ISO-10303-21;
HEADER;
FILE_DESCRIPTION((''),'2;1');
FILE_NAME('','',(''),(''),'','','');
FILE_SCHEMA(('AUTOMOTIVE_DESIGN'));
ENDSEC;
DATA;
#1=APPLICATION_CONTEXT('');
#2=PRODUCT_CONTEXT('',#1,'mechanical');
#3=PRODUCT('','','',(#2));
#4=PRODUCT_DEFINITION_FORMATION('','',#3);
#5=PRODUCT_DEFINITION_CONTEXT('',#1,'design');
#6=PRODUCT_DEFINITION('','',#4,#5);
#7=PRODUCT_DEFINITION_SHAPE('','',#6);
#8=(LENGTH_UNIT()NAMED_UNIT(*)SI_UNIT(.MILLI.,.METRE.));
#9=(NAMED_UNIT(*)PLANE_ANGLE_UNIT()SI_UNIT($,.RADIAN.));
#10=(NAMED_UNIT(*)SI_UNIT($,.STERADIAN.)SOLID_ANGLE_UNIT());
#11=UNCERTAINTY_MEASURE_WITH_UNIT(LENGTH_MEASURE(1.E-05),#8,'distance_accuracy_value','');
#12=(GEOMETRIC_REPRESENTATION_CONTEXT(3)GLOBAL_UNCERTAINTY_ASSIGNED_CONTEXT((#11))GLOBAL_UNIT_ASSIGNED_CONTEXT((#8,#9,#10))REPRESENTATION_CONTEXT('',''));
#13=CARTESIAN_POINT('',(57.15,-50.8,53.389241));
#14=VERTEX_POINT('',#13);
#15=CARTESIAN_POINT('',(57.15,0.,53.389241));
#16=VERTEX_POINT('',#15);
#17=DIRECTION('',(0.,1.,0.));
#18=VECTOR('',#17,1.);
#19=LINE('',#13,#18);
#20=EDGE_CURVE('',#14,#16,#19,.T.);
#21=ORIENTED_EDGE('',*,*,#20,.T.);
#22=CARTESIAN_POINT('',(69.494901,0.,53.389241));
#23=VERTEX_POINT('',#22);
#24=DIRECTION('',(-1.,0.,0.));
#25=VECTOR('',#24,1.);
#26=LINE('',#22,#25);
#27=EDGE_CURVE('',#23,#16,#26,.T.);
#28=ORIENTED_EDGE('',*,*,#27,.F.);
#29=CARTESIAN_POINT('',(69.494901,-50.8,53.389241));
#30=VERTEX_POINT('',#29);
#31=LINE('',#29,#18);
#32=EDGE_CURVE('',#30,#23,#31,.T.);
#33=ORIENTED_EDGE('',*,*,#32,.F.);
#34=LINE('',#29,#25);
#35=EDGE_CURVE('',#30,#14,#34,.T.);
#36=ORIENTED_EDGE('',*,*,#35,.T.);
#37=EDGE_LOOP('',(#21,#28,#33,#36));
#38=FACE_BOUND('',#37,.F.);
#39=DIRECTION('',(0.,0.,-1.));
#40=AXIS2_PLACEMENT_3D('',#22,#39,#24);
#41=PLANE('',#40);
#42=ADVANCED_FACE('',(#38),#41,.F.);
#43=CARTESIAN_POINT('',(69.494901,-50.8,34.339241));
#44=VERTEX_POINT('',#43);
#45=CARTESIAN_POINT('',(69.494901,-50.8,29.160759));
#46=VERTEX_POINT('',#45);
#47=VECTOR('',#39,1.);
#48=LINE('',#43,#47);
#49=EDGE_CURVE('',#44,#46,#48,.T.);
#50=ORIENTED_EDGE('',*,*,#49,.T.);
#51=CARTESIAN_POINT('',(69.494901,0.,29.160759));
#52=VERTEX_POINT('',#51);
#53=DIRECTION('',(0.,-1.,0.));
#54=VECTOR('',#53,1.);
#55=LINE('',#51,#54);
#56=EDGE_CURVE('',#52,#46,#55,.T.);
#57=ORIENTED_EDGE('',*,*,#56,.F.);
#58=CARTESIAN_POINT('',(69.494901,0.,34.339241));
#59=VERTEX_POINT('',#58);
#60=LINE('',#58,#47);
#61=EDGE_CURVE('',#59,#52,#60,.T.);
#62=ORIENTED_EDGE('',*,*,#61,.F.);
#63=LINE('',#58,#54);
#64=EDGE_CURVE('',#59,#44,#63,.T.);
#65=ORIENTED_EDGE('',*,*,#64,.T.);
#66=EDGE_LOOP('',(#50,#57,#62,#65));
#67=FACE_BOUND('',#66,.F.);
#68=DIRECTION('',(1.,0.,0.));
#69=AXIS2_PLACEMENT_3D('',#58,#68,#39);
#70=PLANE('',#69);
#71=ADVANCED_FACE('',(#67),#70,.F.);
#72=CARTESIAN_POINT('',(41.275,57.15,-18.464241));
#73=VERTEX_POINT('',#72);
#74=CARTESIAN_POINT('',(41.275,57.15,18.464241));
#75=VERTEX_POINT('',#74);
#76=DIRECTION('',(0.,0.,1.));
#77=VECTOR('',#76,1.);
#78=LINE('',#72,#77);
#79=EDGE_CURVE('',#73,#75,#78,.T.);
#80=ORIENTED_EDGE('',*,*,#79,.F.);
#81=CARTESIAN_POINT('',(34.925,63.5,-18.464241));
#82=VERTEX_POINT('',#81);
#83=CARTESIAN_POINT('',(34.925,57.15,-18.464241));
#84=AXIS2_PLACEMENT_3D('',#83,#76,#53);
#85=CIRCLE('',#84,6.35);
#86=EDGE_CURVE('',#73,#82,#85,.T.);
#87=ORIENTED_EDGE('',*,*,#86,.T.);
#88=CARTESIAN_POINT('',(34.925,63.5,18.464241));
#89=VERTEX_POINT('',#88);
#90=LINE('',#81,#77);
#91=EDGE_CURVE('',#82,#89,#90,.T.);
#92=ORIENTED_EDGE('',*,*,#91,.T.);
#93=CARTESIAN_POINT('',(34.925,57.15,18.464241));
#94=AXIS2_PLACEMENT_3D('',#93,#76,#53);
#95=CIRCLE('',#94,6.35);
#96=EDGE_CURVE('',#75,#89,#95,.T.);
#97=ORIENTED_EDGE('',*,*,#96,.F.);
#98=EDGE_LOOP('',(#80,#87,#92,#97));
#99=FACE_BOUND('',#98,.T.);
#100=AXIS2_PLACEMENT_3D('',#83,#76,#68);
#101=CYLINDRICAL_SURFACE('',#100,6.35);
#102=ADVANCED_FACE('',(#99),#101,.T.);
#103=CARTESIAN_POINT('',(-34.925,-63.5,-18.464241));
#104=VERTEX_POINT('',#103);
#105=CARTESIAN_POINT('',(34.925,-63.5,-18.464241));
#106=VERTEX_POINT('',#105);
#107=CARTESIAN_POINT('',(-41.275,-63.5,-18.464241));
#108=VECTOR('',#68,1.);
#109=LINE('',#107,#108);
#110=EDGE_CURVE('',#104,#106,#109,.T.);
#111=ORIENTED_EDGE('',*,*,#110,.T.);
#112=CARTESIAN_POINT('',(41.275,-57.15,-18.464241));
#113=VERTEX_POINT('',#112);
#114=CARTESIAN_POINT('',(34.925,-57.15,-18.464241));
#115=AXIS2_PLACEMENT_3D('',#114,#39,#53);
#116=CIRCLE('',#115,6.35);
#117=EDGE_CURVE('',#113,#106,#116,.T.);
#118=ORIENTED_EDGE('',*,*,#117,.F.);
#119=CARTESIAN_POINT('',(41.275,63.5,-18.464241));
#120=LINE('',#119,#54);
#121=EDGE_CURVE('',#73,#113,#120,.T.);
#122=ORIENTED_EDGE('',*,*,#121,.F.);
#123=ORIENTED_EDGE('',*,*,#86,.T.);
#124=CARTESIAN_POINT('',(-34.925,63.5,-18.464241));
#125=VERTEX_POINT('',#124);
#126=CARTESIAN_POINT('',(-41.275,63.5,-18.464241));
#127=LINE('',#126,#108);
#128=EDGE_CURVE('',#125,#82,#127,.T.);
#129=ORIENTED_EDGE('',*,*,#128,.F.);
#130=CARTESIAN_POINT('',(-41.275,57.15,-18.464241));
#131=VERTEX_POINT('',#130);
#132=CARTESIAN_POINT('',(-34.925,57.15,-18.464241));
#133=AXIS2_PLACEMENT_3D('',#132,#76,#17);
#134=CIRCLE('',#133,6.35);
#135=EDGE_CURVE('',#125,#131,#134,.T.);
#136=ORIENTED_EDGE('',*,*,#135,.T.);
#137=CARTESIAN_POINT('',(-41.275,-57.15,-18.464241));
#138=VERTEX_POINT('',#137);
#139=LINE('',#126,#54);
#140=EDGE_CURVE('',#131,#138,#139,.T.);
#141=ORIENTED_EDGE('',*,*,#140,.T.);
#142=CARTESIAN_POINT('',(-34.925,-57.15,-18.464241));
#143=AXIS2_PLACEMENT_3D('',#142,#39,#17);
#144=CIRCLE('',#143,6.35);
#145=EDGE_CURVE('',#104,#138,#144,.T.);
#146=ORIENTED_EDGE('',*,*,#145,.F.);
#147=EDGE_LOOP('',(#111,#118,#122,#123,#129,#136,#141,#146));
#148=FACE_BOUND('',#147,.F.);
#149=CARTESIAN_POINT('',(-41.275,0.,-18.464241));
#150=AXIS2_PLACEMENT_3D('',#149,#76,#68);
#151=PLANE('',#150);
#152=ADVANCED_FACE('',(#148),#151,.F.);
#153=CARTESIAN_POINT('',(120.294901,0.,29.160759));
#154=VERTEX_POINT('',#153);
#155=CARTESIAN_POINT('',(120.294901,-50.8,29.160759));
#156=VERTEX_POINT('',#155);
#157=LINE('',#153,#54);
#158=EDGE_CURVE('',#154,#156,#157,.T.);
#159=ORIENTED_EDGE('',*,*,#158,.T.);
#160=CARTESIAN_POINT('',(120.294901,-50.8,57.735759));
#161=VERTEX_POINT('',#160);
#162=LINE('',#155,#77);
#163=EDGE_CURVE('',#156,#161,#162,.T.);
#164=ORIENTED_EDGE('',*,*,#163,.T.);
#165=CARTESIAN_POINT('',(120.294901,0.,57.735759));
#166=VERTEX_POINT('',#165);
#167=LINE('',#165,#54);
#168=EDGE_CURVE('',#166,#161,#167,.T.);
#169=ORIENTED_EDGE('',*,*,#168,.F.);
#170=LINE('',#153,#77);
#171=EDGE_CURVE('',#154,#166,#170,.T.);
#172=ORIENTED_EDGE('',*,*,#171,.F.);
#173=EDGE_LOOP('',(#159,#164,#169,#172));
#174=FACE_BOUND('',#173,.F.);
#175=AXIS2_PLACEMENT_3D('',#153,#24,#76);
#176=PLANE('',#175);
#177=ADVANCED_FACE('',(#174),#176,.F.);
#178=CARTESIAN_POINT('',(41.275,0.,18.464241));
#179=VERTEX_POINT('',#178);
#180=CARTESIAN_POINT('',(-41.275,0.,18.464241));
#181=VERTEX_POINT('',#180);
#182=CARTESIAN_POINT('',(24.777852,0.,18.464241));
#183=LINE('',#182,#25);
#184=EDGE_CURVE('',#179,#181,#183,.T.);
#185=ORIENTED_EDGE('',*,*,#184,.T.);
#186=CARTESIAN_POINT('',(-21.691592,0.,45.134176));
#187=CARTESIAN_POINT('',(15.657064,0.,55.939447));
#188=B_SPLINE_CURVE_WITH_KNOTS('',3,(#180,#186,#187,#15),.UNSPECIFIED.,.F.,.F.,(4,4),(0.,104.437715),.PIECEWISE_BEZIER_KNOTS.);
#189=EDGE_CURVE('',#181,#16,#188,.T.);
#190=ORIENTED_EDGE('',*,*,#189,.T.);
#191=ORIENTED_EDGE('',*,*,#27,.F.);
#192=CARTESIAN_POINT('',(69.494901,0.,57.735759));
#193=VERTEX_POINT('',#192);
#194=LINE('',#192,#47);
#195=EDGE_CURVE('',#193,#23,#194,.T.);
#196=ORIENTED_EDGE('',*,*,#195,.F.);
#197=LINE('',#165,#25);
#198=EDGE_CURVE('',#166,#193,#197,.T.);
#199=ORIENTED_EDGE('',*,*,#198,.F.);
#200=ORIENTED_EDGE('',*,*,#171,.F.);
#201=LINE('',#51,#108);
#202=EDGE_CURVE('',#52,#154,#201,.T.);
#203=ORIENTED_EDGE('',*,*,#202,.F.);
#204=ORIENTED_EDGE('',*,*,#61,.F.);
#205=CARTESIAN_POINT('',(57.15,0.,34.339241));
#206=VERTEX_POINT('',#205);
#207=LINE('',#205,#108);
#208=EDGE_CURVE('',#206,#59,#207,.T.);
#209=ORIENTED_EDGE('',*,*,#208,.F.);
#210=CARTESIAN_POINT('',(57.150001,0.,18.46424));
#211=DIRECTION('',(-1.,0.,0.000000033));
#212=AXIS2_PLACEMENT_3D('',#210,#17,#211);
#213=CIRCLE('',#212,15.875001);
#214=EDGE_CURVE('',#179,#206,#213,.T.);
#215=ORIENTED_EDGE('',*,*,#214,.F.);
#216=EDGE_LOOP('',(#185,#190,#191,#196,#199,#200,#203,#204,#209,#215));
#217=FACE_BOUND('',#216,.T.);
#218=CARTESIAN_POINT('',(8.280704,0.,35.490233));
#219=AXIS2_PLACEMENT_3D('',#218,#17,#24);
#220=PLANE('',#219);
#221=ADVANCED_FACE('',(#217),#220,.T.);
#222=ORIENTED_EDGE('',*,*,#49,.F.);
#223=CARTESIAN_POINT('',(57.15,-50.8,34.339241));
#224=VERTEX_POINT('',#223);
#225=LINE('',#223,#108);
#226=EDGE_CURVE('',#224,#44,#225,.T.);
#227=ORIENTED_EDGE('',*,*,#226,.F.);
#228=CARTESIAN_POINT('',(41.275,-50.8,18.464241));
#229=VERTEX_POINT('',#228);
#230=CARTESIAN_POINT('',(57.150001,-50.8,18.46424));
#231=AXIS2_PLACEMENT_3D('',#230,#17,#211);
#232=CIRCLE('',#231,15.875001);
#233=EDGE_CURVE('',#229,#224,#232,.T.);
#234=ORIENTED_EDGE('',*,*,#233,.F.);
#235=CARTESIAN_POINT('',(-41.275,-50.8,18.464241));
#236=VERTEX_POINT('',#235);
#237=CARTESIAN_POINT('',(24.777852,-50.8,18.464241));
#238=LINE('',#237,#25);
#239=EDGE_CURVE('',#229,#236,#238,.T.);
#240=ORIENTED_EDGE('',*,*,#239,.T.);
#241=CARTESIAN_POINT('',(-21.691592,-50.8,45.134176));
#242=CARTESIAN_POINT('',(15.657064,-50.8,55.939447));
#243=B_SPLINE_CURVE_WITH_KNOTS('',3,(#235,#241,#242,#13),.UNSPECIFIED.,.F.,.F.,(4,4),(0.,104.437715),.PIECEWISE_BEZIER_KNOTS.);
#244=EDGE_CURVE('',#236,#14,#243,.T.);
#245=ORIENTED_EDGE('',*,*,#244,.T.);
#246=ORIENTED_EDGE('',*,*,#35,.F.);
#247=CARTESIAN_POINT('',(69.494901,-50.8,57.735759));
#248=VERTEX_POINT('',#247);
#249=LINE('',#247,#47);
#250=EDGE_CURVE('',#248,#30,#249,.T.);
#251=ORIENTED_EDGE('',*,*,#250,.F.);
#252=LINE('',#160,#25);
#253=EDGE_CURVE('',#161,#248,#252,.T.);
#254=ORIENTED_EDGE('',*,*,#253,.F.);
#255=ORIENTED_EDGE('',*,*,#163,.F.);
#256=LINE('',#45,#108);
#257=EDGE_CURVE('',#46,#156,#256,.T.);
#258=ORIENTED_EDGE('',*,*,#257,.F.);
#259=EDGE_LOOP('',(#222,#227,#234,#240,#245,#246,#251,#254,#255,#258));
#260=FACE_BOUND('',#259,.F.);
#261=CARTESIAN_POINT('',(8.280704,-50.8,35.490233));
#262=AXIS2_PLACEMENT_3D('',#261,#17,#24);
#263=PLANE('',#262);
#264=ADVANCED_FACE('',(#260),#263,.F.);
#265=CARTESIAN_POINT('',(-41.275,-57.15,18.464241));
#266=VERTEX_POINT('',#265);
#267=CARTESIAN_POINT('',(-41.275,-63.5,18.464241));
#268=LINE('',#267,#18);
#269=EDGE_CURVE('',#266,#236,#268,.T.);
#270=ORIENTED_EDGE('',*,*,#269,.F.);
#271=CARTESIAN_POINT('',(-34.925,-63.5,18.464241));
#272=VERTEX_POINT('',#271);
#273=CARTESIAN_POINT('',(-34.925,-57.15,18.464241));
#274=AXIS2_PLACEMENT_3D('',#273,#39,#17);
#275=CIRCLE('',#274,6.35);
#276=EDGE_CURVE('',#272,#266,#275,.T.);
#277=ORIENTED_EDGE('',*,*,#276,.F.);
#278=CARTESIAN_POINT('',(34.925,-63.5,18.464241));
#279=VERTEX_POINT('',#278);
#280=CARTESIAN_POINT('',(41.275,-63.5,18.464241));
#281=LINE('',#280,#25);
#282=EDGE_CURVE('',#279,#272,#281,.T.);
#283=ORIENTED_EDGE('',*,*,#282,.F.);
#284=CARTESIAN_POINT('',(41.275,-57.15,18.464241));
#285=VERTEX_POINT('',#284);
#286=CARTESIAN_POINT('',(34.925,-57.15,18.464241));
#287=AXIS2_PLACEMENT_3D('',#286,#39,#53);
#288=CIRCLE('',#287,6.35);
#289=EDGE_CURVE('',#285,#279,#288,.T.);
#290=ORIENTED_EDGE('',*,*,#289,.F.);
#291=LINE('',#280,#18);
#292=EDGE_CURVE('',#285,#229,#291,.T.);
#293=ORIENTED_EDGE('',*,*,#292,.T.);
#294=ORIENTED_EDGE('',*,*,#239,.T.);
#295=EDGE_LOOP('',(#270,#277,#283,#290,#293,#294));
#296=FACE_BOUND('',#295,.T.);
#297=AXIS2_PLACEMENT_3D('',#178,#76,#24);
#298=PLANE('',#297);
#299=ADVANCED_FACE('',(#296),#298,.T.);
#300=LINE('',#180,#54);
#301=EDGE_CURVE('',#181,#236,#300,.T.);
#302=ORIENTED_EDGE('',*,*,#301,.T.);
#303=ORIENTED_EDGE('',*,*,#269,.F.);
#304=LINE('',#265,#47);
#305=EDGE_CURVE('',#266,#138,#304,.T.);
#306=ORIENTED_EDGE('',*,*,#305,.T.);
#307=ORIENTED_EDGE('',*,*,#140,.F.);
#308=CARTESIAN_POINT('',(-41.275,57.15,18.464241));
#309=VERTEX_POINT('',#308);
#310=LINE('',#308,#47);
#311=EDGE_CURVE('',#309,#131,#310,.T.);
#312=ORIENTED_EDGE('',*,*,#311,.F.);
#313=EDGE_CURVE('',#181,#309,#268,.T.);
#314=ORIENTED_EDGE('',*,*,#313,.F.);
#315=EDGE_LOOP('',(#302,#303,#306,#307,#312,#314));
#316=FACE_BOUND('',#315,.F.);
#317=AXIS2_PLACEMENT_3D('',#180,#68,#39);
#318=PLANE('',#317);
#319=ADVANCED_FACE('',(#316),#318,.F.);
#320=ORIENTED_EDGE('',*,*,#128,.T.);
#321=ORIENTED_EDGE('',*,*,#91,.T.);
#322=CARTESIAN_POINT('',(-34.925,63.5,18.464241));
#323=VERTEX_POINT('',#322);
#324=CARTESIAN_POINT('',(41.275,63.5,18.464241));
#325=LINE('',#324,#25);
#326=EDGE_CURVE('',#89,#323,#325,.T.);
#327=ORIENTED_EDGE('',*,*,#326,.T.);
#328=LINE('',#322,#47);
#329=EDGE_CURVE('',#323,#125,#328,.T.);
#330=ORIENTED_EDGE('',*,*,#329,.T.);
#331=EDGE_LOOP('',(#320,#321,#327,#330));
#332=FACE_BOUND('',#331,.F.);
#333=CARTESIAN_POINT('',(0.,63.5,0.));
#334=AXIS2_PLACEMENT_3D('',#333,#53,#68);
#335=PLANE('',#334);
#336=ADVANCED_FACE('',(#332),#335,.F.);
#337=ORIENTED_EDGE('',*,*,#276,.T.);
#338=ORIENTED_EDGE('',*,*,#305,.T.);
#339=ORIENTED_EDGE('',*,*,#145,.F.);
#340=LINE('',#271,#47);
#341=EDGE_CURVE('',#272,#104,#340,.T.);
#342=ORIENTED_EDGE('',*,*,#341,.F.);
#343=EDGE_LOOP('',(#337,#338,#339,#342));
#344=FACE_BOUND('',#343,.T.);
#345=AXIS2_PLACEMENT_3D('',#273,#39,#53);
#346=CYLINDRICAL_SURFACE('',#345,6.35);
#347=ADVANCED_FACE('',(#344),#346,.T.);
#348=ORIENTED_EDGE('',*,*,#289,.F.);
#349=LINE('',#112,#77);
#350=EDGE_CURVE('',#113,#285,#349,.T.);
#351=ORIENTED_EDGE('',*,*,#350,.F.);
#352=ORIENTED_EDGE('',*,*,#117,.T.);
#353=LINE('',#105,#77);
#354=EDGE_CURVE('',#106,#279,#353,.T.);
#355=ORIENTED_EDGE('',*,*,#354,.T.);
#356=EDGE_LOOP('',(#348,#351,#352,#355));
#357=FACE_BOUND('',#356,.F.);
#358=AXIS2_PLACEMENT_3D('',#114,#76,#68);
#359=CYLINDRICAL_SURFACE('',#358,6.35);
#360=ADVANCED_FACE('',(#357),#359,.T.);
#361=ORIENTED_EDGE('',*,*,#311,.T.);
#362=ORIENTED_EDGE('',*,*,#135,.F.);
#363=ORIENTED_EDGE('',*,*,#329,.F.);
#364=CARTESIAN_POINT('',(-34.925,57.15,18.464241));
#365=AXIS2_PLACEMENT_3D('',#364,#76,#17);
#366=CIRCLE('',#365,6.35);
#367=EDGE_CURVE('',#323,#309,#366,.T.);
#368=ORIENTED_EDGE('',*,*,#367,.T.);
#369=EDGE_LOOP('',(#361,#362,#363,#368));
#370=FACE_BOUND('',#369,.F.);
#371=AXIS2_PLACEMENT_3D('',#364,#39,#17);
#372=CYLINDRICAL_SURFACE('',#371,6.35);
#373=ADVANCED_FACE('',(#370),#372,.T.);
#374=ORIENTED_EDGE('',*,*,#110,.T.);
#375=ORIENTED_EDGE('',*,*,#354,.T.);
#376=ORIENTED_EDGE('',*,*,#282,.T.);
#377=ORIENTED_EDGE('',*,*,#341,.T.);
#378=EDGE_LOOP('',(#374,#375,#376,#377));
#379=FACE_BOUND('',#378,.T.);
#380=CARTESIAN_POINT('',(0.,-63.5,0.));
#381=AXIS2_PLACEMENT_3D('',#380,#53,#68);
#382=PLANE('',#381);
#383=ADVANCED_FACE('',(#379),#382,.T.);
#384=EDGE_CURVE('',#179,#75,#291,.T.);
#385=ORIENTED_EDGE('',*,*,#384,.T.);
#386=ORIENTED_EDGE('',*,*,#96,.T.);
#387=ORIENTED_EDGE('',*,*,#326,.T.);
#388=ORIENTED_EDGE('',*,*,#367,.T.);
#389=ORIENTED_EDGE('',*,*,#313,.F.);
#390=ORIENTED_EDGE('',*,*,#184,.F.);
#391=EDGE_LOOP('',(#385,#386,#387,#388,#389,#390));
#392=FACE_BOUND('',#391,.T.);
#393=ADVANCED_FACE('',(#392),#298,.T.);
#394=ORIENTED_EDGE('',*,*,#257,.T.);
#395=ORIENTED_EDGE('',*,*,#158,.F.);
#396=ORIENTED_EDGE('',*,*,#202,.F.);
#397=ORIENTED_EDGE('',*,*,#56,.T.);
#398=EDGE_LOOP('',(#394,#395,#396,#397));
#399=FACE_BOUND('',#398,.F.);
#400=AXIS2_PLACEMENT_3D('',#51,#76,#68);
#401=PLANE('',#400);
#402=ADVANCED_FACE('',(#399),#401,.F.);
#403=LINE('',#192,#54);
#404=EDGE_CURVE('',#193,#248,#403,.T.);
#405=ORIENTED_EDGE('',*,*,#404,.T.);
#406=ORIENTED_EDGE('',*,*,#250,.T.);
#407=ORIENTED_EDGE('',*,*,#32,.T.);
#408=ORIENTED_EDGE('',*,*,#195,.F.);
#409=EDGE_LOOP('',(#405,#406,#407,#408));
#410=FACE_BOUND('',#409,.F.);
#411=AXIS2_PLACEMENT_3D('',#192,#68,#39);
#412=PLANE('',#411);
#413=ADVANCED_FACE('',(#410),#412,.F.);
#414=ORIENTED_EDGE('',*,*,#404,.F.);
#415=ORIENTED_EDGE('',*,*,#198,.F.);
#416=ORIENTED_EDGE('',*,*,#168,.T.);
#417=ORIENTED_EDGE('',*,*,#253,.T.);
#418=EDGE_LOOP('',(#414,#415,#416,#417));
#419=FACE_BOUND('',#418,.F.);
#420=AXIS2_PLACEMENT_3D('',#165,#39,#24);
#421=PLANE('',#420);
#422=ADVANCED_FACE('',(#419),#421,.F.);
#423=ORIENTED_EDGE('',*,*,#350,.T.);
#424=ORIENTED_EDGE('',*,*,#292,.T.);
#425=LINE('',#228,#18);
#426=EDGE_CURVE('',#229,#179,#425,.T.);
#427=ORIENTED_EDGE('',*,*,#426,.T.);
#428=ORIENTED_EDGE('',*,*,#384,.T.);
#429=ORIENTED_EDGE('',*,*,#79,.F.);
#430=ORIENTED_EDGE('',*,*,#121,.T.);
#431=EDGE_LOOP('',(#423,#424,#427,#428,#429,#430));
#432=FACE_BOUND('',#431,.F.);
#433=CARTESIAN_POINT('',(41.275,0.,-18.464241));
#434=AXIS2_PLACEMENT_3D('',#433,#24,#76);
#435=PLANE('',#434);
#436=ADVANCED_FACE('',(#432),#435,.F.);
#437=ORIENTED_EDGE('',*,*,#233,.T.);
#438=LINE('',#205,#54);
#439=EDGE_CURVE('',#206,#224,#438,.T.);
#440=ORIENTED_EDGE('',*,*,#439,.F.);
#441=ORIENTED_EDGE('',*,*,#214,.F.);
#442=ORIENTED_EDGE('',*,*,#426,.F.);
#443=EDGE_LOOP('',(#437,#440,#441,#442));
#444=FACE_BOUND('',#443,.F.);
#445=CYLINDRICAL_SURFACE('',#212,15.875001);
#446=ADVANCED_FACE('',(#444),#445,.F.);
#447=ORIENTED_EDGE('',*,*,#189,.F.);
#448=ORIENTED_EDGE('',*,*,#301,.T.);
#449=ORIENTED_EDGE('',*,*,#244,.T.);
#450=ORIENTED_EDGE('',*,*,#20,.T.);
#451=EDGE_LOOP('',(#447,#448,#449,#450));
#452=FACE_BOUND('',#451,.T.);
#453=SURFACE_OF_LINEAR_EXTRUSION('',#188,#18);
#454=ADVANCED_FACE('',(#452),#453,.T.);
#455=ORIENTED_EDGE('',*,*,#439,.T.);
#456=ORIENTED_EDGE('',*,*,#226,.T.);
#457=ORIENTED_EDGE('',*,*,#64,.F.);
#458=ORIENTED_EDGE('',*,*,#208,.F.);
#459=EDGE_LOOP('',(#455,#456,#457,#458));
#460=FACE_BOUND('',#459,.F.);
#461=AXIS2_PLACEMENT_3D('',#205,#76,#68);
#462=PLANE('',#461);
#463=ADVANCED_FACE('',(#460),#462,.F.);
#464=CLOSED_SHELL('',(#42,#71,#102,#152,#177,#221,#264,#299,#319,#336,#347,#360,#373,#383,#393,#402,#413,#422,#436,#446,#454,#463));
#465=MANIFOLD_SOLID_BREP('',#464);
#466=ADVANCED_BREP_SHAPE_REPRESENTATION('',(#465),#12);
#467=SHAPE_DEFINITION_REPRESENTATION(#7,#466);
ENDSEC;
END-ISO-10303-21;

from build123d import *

# Parameters (mm, degrees)
F1_DEPTH = 63.5
F2_DEPTH = 50.8
F3_DEPTH = 15.875
F4_R     = 6.35


with BuildPart() as f1:
    # F0 (on Front) → F1 (new body, symmetric)
    with BuildSketch(Plane.XZ):
        Polygon((22.225, 18.464241), (-41.275, 18.464241), (-41.275, -18.464241), (41.275, -18.464241), (41.275, 18.464241), align=None)
    extrude(amount=F1_DEPTH, both=True)

    # F0 (on Front) → F2 (join)
    with BuildSketch(Plane.XZ):
        with BuildLine():
            add(Edge.make_bspline(
                [(-41.275, 18.464241), (-21.691592, 45.134176), (15.657064, 55.939447), (57.15, 53.389241)],
                knots=[0, 0, 0, 0, 104.437715, 104.437715, 104.437715, 104.437715], degree=3))
            Line((-41.275, 18.464241), (22.225, 18.464241))
            ThreePointArc((22.225, 18.464241), (32.454296, 43.159945), (57.15, 53.389241))
        make_face()
        Polygon((22.225, 18.464241), (-41.275, 18.464241), (-41.275, -18.464241), (41.275, -18.464241), (41.275, 18.464241), align=None)
        with BuildLine():
            ThreePointArc((57.15, 53.389241), (32.454296, 43.159945), (22.225, 18.464241))
            Line((22.225, 18.464241), (41.275, 18.464241))
            ThreePointArc((41.275, 18.464241), (45.92468, 29.689561), (57.15, 34.339241))
            Line((57.15, 34.339241), (69.494901, 34.339241))
            Line((69.494901, 34.339241), (69.494901, 53.000192))
            Line((69.494901, 53.000192), (69.494901, 53.389241))
            Line((69.494901, 53.389241), (57.15, 53.389241))
        make_face()
        Polygon((69.494901, 57.735759), (69.494901, 53.389241), (69.494901, 53.000192), (69.494901, 34.339241), (69.494901, 29.160759), (120.294901, 29.160759), (120.294901, 57.735759), align=None)
    extrude(amount=F2_DEPTH)

    # F0 (on Front) → F3 (join)
    with BuildSketch(Plane.XZ):
        with BuildLine():
            add(Edge.make_bspline(
                [(-41.275, 18.464241), (-21.691592, 45.134176), (15.657064, 55.939447), (57.15, 53.389241)],
                knots=[0, 0, 0, 0, 104.437715, 104.437715, 104.437715, 104.437715], degree=3))
            Line((-41.275, 18.464241), (22.225, 18.464241))
            ThreePointArc((22.225, 18.464241), (32.454296, 43.159945), (57.15, 53.389241))
        make_face()
        Polygon((22.225, 18.464241), (-41.275, 18.464241), (-41.275, -18.464241), (41.275, -18.464241), (41.275, 18.464241), align=None)
        with BuildLine():
            ThreePointArc((57.15, 53.389241), (32.454296, 43.159945), (22.225, 18.464241))
            Line((22.225, 18.464241), (41.275, 18.464241))
            ThreePointArc((41.275, 18.464241), (45.92468, 29.689561), (57.15, 34.339241))
            Line((57.15, 34.339241), (69.494901, 34.339241))
            Line((69.494901, 34.339241), (69.494901, 53.000192))
            Line((69.494901, 53.000192), (69.494901, 53.389241))
            Line((69.494901, 53.389241), (57.15, 53.389241))
        make_face()
        Polygon((69.494901, 57.735759), (69.494901, 53.389241), (69.494901, 53.000192), (69.494901, 34.339241), (69.494901, 29.160759), (120.294901, 29.160759), (120.294901, 57.735759), align=None)
    extrude(amount=F3_DEPTH)

    # F4
    f4_edges = [f1.edges().sort_by_distance(p)[0] for p in [
        (41.275, -63.5, 0),
        (-41.275, -63.5, 0),
        (41.275, 63.5, 0),
        (-41.275, 63.5, 0),
    ]]
    fillet(f4_edges, radius=F4_R)


solid = f1.part
